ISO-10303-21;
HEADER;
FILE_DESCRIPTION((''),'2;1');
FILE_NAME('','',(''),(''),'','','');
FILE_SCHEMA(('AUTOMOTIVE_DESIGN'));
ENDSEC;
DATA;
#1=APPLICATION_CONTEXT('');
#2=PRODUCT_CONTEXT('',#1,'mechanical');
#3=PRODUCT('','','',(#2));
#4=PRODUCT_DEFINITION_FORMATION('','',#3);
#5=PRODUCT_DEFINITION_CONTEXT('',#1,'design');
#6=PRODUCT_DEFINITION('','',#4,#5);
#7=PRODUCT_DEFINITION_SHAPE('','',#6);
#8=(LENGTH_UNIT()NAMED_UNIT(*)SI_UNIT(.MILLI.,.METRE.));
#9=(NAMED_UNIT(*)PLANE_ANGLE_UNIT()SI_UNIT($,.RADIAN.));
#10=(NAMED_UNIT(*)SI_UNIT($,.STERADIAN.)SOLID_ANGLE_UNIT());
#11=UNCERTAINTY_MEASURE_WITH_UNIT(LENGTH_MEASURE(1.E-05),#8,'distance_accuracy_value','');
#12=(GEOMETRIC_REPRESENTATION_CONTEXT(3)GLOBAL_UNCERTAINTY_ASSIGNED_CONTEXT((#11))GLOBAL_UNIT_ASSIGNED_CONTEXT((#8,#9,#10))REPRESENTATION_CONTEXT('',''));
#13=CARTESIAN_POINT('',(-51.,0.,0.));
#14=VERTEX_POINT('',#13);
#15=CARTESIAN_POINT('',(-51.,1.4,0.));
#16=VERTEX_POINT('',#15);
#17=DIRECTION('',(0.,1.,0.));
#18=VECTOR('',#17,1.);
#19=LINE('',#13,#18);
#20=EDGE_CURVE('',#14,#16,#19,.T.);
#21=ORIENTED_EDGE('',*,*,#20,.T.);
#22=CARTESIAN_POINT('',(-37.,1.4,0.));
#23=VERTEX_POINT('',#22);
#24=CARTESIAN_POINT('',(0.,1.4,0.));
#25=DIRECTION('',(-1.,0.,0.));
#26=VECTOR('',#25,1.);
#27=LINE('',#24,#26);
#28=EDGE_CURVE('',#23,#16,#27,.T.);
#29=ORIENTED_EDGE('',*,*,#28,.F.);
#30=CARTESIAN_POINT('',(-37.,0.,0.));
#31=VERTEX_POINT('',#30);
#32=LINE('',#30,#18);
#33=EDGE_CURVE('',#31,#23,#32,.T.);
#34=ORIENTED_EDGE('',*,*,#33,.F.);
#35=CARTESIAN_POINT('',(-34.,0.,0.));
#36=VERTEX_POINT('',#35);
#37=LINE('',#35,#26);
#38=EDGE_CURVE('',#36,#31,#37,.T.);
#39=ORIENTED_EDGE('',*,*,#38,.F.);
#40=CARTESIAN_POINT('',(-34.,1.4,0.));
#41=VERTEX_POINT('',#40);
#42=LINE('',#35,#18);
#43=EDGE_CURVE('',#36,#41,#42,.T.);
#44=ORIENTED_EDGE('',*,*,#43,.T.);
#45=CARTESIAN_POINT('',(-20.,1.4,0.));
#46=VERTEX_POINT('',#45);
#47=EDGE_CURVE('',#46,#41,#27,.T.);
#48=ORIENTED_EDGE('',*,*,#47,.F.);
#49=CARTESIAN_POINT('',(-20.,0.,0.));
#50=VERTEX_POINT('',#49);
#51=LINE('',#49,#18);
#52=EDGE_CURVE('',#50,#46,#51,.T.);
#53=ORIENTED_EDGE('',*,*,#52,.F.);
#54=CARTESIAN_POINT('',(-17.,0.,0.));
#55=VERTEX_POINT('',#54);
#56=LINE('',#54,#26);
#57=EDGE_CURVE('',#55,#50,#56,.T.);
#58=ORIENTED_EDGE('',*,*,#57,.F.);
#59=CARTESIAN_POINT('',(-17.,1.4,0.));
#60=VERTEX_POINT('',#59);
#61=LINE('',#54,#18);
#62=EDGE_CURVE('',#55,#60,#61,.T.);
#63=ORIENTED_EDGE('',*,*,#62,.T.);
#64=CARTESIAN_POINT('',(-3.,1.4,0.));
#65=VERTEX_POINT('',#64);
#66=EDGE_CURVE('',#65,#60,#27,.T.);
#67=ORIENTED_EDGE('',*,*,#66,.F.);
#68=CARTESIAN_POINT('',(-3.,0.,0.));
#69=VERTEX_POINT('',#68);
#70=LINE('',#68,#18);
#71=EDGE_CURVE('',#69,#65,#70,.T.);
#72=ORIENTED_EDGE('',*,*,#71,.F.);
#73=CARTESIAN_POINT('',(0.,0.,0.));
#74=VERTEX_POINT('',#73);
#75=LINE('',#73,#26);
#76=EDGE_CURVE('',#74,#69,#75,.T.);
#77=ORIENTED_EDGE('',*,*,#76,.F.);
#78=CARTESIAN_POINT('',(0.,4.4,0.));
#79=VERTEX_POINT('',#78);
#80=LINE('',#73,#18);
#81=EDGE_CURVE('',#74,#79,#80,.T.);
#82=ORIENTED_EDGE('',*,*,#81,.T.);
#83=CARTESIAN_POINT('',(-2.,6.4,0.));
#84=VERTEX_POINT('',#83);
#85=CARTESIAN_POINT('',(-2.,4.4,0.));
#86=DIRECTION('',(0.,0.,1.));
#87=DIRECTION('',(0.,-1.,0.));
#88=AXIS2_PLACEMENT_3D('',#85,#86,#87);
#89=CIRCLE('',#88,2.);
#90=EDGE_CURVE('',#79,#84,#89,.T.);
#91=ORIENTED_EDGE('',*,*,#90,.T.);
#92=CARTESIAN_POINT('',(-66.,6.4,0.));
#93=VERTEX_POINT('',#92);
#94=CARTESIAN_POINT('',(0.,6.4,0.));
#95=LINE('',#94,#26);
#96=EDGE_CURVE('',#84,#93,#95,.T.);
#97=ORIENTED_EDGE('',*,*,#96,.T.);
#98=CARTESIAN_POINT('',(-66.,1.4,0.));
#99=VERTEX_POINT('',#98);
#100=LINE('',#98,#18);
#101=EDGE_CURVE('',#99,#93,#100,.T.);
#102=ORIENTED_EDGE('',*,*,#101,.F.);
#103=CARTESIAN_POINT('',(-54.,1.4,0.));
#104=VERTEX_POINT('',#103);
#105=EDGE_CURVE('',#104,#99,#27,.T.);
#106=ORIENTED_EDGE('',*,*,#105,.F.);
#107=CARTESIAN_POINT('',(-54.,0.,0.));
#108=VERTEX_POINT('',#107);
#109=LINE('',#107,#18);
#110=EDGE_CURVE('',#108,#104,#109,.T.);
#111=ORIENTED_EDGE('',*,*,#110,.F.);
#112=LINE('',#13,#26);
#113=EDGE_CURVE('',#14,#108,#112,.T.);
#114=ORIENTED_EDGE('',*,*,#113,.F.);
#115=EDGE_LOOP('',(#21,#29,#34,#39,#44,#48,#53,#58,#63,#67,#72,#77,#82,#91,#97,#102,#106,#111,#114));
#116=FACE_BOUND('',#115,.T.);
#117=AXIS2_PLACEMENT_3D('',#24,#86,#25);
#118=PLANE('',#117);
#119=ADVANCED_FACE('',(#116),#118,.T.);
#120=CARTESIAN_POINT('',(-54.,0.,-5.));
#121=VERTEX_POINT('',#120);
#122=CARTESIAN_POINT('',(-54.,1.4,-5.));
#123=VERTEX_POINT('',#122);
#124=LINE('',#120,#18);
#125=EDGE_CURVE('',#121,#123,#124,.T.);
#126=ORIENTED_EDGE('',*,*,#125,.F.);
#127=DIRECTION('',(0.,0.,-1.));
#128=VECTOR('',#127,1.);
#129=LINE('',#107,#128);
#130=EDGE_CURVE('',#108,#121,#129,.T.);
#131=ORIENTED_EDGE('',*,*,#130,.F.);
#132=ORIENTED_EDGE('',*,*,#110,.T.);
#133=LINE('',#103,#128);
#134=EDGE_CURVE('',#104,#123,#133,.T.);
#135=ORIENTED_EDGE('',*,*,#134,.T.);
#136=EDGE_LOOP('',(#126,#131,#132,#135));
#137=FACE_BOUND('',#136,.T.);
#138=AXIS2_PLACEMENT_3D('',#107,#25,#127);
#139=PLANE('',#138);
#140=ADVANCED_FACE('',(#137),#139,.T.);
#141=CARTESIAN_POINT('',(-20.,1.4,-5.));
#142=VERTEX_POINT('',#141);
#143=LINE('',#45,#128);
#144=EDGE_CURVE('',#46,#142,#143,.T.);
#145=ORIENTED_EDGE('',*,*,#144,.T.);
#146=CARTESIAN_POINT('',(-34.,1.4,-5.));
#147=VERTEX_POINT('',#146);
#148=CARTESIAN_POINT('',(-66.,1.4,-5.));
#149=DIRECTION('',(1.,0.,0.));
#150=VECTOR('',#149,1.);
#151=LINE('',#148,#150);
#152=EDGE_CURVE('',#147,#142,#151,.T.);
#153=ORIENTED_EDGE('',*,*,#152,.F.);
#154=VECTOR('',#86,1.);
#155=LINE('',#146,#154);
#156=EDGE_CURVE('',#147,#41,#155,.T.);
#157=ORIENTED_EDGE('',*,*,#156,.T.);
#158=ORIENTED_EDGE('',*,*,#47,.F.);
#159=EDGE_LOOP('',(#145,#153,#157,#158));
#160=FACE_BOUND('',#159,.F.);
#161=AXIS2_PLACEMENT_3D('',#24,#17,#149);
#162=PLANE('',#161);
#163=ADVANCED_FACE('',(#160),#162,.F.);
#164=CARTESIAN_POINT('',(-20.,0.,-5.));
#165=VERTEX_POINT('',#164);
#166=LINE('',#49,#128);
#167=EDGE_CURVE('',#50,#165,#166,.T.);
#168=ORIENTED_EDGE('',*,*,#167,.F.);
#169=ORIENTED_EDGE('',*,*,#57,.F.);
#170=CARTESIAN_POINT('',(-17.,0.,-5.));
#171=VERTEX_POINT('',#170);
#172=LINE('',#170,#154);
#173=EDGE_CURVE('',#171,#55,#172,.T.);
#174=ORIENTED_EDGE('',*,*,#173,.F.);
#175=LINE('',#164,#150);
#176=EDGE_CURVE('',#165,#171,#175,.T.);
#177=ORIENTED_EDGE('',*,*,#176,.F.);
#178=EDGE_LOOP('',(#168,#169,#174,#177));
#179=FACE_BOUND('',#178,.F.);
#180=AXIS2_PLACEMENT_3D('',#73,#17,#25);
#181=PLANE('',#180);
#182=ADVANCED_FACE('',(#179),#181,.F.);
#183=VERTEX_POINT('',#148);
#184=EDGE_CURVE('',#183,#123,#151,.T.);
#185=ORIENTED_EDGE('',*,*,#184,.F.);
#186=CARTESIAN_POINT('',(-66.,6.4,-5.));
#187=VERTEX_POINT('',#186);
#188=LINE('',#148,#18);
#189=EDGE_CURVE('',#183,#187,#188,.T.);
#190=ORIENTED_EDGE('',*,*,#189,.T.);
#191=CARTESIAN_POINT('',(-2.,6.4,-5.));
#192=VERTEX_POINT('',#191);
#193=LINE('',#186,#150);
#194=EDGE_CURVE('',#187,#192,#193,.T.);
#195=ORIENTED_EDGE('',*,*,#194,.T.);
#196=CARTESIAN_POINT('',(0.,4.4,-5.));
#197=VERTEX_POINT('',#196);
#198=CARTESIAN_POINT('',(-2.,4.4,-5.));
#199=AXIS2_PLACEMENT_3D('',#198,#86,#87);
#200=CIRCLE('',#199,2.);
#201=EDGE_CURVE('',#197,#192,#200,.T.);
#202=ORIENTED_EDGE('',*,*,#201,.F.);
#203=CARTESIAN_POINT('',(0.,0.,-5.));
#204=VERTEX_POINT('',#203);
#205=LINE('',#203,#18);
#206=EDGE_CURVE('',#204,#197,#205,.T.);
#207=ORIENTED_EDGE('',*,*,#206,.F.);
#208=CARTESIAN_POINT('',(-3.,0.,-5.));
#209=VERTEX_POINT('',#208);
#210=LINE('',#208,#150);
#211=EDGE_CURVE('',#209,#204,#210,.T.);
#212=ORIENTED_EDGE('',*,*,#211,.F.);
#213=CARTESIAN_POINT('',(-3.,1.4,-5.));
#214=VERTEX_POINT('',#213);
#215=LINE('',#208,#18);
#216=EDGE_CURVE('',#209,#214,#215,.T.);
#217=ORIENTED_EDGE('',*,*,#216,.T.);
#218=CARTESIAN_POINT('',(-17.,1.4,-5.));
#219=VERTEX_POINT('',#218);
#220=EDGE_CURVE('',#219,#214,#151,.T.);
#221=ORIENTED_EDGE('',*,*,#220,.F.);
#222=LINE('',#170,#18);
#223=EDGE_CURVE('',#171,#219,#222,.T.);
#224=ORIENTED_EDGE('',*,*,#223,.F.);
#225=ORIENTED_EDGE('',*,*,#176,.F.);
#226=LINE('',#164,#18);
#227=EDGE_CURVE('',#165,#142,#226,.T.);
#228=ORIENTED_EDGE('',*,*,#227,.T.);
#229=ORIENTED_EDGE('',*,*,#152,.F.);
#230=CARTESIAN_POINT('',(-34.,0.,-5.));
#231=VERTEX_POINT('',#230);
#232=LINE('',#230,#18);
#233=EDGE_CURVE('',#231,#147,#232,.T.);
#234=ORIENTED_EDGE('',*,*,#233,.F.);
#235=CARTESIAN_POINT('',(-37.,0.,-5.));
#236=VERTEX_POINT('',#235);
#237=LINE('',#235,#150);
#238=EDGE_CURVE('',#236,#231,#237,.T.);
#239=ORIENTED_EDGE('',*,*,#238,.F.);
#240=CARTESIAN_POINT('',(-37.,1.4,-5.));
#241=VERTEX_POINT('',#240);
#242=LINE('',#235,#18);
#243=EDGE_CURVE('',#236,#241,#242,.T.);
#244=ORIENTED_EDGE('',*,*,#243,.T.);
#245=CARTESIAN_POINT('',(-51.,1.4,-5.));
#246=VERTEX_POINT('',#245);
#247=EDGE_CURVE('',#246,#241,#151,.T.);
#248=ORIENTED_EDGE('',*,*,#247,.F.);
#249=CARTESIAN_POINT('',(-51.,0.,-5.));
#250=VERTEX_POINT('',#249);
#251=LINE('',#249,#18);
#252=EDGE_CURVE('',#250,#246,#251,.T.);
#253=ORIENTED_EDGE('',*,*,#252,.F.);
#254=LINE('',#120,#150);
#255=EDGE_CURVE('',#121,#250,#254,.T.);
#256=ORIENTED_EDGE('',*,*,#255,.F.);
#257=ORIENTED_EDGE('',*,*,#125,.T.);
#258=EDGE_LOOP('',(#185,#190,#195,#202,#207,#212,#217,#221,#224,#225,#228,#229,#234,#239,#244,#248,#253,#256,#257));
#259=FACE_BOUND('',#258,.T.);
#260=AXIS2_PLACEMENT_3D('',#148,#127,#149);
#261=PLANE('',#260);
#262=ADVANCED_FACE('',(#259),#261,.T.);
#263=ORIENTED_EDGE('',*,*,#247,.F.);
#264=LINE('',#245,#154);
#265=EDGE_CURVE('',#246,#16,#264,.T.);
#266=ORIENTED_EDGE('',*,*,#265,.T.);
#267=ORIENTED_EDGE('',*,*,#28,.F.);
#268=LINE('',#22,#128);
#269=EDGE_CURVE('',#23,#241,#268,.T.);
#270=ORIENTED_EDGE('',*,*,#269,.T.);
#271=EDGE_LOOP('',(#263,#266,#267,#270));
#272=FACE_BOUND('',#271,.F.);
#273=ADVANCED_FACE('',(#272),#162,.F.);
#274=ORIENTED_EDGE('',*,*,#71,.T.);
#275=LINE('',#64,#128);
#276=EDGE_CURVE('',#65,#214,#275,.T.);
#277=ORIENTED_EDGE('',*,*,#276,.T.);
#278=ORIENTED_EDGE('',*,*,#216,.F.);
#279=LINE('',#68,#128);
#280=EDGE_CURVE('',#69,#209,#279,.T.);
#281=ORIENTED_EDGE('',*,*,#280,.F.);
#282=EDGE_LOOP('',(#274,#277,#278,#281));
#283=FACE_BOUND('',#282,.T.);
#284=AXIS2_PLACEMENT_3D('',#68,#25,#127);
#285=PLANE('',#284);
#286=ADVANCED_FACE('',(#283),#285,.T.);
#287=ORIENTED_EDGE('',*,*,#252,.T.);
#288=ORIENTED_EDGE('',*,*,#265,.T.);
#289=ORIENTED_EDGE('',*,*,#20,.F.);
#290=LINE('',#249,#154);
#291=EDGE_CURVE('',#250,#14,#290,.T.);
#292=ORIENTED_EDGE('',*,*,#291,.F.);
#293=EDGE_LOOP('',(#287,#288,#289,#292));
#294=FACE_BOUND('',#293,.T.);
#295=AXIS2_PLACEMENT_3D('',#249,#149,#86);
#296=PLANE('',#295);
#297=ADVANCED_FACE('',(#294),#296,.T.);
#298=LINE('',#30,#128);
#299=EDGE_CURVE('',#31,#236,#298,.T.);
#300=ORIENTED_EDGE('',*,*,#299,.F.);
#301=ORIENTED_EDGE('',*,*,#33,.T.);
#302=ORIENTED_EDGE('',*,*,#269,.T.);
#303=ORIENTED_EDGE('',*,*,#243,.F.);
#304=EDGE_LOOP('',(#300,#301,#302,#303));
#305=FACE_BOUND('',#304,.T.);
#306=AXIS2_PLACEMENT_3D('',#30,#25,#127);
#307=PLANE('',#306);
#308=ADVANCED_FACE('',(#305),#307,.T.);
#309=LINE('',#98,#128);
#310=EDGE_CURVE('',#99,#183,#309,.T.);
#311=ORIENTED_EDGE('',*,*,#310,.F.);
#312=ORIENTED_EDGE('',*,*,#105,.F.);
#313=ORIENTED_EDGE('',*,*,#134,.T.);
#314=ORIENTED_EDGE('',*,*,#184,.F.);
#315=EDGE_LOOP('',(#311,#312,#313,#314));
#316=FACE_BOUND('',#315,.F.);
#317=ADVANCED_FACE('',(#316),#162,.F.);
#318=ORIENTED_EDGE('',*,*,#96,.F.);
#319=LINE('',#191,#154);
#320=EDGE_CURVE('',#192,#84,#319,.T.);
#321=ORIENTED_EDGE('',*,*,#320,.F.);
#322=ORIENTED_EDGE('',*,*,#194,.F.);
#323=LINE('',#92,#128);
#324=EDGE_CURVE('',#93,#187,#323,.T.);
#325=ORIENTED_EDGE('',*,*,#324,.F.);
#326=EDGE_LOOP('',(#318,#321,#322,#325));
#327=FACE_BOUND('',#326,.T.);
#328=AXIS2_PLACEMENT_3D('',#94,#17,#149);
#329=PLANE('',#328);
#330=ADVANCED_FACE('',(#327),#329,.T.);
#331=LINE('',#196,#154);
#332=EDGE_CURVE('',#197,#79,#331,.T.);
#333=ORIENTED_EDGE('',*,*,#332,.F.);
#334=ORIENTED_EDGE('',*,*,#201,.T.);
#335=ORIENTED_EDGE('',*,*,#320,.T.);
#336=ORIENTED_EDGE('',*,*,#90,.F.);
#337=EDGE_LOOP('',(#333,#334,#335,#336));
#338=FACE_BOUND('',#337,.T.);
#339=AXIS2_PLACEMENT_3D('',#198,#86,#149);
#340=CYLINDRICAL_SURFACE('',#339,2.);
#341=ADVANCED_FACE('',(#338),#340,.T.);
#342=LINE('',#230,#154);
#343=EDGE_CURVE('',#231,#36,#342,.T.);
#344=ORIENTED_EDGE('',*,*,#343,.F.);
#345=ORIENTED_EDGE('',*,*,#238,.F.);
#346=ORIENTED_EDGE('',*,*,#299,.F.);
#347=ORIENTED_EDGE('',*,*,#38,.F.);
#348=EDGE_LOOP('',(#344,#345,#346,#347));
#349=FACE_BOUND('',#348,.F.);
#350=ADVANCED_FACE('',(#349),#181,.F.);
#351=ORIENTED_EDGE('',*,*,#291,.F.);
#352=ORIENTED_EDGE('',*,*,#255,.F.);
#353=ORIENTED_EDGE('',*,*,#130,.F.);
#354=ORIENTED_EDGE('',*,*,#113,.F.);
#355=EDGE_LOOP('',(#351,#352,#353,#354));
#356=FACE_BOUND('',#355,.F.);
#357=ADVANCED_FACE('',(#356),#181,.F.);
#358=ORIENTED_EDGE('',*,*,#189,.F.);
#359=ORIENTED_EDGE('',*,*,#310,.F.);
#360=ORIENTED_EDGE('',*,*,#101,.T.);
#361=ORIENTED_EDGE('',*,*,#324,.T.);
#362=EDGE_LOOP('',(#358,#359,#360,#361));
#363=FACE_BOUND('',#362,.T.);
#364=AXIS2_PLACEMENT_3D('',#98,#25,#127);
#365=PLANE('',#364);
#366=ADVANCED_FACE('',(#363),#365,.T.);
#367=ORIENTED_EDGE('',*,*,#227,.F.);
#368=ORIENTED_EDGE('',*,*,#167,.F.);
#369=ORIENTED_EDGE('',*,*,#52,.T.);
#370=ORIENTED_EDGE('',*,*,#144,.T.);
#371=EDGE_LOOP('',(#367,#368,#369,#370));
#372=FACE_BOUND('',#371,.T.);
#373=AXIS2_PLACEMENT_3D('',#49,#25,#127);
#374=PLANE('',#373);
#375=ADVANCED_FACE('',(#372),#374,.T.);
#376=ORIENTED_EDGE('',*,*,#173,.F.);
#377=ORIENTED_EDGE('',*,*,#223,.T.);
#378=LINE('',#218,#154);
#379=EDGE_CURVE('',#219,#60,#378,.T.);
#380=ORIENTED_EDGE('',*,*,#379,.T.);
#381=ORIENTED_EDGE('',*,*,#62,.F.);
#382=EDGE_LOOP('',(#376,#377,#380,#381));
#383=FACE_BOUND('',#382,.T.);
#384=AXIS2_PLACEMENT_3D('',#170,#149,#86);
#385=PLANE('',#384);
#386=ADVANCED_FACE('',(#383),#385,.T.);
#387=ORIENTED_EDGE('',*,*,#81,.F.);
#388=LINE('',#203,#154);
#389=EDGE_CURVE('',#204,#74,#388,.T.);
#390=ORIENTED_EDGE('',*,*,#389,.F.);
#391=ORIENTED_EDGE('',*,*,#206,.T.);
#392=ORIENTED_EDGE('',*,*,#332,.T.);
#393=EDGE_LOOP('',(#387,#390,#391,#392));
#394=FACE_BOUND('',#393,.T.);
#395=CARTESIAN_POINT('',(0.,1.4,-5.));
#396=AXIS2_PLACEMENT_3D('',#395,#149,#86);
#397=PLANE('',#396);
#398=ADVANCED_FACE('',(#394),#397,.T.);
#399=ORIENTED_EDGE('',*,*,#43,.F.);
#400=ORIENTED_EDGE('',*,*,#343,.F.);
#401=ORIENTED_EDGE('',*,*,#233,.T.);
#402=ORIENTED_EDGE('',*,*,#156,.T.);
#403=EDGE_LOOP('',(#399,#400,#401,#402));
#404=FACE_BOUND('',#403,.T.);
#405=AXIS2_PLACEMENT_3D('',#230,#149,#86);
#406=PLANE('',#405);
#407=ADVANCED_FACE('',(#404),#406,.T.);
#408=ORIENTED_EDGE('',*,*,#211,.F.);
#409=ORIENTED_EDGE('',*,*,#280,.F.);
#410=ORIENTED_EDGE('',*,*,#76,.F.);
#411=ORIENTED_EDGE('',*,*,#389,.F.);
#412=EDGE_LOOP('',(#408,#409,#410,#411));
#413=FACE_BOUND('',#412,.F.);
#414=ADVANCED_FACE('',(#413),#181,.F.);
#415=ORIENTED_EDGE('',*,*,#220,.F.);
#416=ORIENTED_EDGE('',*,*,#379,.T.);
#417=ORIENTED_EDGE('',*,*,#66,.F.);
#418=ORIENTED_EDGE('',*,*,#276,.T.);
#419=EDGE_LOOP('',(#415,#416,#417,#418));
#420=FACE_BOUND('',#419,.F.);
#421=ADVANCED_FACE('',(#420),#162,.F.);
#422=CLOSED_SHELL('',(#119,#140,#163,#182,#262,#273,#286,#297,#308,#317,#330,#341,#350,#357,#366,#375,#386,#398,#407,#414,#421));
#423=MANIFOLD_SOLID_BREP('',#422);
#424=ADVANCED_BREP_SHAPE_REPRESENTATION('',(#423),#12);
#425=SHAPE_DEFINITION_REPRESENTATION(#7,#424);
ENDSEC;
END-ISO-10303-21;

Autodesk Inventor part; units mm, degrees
ref_plane "YZ Plane" through (0, 0, 0) normal (1, 0, 0) x (0, 1, 0)
ref_plane "XZ Plane" through (0, 0, 0) normal (0, 1, 0) x (-1, 0, 0)
ref_plane "XY Plane" through (0, 0, 0) normal (0, 0, 1) x (1, 0, 0)
sketch "Эскиз1" plane through (0, 0, 0) normal (0, 1, 0) x (-1, 0, 0)
  line L0 (0, 0) -> (3, 0)
  line L1 (3, 0) -> (3, -5)
  line L2 (3, -5) -> (0, -5)
  line L3 (0, -5) -> (0, 0)
  line L4 (17, 0) -> (20, 0)
  line L5 (20, 0) -> (20, -5)
  line L6 (20, -5) -> (17, -5)
  line L7 (17, -5) -> (17, 0)
  line L8 (34, 0) -> (37, 0)
  line L9 (37, 0) -> (37, -5)
  line L10 (37, -5) -> (34, -5)
  line L11 (34, -5) -> (34, 0)
  line L12 (51, 0) -> (54, 0)
  line L13 (54, 0) -> (54, -5)
  line L14 (54, -5) -> (51, -5)
  line L15 (51, -5) -> (51, 0)
  dimension "d0" = 3
  dimension "d1" = 5
  dimension "d3" = 3
  dimension "d4" = 5
  dimension "d6" = 3
  dimension "d7" = 5
  dimension "d9" = 3
  dimension "d10" = 5
extrude "Выдавливание1" add sketch "Эскиз1" along normal blind 1.4
sketch "Эскиз2" plane through (0, 1.4, 0) normal (0, 1, 0) x (1, 0, 0)
  line L0 (0, 0) -> (-66, 0)
  line L1 (-66, 0) -> (-66, 5)
  line L2 (-66, 5) -> (0, 5)
  line L3 (0, 5) -> (0, 0)
  dimension "d13" = 5
  dimension "d14" = 66
extrude "Выдавливание2" add sketch "Эскиз2" along normal blind 5
fillet "Сопряжение1" radius 2 1 edges at (0, 6.4, -2.5)
properties part number "Bus_copper_bottom" material "Медь"
